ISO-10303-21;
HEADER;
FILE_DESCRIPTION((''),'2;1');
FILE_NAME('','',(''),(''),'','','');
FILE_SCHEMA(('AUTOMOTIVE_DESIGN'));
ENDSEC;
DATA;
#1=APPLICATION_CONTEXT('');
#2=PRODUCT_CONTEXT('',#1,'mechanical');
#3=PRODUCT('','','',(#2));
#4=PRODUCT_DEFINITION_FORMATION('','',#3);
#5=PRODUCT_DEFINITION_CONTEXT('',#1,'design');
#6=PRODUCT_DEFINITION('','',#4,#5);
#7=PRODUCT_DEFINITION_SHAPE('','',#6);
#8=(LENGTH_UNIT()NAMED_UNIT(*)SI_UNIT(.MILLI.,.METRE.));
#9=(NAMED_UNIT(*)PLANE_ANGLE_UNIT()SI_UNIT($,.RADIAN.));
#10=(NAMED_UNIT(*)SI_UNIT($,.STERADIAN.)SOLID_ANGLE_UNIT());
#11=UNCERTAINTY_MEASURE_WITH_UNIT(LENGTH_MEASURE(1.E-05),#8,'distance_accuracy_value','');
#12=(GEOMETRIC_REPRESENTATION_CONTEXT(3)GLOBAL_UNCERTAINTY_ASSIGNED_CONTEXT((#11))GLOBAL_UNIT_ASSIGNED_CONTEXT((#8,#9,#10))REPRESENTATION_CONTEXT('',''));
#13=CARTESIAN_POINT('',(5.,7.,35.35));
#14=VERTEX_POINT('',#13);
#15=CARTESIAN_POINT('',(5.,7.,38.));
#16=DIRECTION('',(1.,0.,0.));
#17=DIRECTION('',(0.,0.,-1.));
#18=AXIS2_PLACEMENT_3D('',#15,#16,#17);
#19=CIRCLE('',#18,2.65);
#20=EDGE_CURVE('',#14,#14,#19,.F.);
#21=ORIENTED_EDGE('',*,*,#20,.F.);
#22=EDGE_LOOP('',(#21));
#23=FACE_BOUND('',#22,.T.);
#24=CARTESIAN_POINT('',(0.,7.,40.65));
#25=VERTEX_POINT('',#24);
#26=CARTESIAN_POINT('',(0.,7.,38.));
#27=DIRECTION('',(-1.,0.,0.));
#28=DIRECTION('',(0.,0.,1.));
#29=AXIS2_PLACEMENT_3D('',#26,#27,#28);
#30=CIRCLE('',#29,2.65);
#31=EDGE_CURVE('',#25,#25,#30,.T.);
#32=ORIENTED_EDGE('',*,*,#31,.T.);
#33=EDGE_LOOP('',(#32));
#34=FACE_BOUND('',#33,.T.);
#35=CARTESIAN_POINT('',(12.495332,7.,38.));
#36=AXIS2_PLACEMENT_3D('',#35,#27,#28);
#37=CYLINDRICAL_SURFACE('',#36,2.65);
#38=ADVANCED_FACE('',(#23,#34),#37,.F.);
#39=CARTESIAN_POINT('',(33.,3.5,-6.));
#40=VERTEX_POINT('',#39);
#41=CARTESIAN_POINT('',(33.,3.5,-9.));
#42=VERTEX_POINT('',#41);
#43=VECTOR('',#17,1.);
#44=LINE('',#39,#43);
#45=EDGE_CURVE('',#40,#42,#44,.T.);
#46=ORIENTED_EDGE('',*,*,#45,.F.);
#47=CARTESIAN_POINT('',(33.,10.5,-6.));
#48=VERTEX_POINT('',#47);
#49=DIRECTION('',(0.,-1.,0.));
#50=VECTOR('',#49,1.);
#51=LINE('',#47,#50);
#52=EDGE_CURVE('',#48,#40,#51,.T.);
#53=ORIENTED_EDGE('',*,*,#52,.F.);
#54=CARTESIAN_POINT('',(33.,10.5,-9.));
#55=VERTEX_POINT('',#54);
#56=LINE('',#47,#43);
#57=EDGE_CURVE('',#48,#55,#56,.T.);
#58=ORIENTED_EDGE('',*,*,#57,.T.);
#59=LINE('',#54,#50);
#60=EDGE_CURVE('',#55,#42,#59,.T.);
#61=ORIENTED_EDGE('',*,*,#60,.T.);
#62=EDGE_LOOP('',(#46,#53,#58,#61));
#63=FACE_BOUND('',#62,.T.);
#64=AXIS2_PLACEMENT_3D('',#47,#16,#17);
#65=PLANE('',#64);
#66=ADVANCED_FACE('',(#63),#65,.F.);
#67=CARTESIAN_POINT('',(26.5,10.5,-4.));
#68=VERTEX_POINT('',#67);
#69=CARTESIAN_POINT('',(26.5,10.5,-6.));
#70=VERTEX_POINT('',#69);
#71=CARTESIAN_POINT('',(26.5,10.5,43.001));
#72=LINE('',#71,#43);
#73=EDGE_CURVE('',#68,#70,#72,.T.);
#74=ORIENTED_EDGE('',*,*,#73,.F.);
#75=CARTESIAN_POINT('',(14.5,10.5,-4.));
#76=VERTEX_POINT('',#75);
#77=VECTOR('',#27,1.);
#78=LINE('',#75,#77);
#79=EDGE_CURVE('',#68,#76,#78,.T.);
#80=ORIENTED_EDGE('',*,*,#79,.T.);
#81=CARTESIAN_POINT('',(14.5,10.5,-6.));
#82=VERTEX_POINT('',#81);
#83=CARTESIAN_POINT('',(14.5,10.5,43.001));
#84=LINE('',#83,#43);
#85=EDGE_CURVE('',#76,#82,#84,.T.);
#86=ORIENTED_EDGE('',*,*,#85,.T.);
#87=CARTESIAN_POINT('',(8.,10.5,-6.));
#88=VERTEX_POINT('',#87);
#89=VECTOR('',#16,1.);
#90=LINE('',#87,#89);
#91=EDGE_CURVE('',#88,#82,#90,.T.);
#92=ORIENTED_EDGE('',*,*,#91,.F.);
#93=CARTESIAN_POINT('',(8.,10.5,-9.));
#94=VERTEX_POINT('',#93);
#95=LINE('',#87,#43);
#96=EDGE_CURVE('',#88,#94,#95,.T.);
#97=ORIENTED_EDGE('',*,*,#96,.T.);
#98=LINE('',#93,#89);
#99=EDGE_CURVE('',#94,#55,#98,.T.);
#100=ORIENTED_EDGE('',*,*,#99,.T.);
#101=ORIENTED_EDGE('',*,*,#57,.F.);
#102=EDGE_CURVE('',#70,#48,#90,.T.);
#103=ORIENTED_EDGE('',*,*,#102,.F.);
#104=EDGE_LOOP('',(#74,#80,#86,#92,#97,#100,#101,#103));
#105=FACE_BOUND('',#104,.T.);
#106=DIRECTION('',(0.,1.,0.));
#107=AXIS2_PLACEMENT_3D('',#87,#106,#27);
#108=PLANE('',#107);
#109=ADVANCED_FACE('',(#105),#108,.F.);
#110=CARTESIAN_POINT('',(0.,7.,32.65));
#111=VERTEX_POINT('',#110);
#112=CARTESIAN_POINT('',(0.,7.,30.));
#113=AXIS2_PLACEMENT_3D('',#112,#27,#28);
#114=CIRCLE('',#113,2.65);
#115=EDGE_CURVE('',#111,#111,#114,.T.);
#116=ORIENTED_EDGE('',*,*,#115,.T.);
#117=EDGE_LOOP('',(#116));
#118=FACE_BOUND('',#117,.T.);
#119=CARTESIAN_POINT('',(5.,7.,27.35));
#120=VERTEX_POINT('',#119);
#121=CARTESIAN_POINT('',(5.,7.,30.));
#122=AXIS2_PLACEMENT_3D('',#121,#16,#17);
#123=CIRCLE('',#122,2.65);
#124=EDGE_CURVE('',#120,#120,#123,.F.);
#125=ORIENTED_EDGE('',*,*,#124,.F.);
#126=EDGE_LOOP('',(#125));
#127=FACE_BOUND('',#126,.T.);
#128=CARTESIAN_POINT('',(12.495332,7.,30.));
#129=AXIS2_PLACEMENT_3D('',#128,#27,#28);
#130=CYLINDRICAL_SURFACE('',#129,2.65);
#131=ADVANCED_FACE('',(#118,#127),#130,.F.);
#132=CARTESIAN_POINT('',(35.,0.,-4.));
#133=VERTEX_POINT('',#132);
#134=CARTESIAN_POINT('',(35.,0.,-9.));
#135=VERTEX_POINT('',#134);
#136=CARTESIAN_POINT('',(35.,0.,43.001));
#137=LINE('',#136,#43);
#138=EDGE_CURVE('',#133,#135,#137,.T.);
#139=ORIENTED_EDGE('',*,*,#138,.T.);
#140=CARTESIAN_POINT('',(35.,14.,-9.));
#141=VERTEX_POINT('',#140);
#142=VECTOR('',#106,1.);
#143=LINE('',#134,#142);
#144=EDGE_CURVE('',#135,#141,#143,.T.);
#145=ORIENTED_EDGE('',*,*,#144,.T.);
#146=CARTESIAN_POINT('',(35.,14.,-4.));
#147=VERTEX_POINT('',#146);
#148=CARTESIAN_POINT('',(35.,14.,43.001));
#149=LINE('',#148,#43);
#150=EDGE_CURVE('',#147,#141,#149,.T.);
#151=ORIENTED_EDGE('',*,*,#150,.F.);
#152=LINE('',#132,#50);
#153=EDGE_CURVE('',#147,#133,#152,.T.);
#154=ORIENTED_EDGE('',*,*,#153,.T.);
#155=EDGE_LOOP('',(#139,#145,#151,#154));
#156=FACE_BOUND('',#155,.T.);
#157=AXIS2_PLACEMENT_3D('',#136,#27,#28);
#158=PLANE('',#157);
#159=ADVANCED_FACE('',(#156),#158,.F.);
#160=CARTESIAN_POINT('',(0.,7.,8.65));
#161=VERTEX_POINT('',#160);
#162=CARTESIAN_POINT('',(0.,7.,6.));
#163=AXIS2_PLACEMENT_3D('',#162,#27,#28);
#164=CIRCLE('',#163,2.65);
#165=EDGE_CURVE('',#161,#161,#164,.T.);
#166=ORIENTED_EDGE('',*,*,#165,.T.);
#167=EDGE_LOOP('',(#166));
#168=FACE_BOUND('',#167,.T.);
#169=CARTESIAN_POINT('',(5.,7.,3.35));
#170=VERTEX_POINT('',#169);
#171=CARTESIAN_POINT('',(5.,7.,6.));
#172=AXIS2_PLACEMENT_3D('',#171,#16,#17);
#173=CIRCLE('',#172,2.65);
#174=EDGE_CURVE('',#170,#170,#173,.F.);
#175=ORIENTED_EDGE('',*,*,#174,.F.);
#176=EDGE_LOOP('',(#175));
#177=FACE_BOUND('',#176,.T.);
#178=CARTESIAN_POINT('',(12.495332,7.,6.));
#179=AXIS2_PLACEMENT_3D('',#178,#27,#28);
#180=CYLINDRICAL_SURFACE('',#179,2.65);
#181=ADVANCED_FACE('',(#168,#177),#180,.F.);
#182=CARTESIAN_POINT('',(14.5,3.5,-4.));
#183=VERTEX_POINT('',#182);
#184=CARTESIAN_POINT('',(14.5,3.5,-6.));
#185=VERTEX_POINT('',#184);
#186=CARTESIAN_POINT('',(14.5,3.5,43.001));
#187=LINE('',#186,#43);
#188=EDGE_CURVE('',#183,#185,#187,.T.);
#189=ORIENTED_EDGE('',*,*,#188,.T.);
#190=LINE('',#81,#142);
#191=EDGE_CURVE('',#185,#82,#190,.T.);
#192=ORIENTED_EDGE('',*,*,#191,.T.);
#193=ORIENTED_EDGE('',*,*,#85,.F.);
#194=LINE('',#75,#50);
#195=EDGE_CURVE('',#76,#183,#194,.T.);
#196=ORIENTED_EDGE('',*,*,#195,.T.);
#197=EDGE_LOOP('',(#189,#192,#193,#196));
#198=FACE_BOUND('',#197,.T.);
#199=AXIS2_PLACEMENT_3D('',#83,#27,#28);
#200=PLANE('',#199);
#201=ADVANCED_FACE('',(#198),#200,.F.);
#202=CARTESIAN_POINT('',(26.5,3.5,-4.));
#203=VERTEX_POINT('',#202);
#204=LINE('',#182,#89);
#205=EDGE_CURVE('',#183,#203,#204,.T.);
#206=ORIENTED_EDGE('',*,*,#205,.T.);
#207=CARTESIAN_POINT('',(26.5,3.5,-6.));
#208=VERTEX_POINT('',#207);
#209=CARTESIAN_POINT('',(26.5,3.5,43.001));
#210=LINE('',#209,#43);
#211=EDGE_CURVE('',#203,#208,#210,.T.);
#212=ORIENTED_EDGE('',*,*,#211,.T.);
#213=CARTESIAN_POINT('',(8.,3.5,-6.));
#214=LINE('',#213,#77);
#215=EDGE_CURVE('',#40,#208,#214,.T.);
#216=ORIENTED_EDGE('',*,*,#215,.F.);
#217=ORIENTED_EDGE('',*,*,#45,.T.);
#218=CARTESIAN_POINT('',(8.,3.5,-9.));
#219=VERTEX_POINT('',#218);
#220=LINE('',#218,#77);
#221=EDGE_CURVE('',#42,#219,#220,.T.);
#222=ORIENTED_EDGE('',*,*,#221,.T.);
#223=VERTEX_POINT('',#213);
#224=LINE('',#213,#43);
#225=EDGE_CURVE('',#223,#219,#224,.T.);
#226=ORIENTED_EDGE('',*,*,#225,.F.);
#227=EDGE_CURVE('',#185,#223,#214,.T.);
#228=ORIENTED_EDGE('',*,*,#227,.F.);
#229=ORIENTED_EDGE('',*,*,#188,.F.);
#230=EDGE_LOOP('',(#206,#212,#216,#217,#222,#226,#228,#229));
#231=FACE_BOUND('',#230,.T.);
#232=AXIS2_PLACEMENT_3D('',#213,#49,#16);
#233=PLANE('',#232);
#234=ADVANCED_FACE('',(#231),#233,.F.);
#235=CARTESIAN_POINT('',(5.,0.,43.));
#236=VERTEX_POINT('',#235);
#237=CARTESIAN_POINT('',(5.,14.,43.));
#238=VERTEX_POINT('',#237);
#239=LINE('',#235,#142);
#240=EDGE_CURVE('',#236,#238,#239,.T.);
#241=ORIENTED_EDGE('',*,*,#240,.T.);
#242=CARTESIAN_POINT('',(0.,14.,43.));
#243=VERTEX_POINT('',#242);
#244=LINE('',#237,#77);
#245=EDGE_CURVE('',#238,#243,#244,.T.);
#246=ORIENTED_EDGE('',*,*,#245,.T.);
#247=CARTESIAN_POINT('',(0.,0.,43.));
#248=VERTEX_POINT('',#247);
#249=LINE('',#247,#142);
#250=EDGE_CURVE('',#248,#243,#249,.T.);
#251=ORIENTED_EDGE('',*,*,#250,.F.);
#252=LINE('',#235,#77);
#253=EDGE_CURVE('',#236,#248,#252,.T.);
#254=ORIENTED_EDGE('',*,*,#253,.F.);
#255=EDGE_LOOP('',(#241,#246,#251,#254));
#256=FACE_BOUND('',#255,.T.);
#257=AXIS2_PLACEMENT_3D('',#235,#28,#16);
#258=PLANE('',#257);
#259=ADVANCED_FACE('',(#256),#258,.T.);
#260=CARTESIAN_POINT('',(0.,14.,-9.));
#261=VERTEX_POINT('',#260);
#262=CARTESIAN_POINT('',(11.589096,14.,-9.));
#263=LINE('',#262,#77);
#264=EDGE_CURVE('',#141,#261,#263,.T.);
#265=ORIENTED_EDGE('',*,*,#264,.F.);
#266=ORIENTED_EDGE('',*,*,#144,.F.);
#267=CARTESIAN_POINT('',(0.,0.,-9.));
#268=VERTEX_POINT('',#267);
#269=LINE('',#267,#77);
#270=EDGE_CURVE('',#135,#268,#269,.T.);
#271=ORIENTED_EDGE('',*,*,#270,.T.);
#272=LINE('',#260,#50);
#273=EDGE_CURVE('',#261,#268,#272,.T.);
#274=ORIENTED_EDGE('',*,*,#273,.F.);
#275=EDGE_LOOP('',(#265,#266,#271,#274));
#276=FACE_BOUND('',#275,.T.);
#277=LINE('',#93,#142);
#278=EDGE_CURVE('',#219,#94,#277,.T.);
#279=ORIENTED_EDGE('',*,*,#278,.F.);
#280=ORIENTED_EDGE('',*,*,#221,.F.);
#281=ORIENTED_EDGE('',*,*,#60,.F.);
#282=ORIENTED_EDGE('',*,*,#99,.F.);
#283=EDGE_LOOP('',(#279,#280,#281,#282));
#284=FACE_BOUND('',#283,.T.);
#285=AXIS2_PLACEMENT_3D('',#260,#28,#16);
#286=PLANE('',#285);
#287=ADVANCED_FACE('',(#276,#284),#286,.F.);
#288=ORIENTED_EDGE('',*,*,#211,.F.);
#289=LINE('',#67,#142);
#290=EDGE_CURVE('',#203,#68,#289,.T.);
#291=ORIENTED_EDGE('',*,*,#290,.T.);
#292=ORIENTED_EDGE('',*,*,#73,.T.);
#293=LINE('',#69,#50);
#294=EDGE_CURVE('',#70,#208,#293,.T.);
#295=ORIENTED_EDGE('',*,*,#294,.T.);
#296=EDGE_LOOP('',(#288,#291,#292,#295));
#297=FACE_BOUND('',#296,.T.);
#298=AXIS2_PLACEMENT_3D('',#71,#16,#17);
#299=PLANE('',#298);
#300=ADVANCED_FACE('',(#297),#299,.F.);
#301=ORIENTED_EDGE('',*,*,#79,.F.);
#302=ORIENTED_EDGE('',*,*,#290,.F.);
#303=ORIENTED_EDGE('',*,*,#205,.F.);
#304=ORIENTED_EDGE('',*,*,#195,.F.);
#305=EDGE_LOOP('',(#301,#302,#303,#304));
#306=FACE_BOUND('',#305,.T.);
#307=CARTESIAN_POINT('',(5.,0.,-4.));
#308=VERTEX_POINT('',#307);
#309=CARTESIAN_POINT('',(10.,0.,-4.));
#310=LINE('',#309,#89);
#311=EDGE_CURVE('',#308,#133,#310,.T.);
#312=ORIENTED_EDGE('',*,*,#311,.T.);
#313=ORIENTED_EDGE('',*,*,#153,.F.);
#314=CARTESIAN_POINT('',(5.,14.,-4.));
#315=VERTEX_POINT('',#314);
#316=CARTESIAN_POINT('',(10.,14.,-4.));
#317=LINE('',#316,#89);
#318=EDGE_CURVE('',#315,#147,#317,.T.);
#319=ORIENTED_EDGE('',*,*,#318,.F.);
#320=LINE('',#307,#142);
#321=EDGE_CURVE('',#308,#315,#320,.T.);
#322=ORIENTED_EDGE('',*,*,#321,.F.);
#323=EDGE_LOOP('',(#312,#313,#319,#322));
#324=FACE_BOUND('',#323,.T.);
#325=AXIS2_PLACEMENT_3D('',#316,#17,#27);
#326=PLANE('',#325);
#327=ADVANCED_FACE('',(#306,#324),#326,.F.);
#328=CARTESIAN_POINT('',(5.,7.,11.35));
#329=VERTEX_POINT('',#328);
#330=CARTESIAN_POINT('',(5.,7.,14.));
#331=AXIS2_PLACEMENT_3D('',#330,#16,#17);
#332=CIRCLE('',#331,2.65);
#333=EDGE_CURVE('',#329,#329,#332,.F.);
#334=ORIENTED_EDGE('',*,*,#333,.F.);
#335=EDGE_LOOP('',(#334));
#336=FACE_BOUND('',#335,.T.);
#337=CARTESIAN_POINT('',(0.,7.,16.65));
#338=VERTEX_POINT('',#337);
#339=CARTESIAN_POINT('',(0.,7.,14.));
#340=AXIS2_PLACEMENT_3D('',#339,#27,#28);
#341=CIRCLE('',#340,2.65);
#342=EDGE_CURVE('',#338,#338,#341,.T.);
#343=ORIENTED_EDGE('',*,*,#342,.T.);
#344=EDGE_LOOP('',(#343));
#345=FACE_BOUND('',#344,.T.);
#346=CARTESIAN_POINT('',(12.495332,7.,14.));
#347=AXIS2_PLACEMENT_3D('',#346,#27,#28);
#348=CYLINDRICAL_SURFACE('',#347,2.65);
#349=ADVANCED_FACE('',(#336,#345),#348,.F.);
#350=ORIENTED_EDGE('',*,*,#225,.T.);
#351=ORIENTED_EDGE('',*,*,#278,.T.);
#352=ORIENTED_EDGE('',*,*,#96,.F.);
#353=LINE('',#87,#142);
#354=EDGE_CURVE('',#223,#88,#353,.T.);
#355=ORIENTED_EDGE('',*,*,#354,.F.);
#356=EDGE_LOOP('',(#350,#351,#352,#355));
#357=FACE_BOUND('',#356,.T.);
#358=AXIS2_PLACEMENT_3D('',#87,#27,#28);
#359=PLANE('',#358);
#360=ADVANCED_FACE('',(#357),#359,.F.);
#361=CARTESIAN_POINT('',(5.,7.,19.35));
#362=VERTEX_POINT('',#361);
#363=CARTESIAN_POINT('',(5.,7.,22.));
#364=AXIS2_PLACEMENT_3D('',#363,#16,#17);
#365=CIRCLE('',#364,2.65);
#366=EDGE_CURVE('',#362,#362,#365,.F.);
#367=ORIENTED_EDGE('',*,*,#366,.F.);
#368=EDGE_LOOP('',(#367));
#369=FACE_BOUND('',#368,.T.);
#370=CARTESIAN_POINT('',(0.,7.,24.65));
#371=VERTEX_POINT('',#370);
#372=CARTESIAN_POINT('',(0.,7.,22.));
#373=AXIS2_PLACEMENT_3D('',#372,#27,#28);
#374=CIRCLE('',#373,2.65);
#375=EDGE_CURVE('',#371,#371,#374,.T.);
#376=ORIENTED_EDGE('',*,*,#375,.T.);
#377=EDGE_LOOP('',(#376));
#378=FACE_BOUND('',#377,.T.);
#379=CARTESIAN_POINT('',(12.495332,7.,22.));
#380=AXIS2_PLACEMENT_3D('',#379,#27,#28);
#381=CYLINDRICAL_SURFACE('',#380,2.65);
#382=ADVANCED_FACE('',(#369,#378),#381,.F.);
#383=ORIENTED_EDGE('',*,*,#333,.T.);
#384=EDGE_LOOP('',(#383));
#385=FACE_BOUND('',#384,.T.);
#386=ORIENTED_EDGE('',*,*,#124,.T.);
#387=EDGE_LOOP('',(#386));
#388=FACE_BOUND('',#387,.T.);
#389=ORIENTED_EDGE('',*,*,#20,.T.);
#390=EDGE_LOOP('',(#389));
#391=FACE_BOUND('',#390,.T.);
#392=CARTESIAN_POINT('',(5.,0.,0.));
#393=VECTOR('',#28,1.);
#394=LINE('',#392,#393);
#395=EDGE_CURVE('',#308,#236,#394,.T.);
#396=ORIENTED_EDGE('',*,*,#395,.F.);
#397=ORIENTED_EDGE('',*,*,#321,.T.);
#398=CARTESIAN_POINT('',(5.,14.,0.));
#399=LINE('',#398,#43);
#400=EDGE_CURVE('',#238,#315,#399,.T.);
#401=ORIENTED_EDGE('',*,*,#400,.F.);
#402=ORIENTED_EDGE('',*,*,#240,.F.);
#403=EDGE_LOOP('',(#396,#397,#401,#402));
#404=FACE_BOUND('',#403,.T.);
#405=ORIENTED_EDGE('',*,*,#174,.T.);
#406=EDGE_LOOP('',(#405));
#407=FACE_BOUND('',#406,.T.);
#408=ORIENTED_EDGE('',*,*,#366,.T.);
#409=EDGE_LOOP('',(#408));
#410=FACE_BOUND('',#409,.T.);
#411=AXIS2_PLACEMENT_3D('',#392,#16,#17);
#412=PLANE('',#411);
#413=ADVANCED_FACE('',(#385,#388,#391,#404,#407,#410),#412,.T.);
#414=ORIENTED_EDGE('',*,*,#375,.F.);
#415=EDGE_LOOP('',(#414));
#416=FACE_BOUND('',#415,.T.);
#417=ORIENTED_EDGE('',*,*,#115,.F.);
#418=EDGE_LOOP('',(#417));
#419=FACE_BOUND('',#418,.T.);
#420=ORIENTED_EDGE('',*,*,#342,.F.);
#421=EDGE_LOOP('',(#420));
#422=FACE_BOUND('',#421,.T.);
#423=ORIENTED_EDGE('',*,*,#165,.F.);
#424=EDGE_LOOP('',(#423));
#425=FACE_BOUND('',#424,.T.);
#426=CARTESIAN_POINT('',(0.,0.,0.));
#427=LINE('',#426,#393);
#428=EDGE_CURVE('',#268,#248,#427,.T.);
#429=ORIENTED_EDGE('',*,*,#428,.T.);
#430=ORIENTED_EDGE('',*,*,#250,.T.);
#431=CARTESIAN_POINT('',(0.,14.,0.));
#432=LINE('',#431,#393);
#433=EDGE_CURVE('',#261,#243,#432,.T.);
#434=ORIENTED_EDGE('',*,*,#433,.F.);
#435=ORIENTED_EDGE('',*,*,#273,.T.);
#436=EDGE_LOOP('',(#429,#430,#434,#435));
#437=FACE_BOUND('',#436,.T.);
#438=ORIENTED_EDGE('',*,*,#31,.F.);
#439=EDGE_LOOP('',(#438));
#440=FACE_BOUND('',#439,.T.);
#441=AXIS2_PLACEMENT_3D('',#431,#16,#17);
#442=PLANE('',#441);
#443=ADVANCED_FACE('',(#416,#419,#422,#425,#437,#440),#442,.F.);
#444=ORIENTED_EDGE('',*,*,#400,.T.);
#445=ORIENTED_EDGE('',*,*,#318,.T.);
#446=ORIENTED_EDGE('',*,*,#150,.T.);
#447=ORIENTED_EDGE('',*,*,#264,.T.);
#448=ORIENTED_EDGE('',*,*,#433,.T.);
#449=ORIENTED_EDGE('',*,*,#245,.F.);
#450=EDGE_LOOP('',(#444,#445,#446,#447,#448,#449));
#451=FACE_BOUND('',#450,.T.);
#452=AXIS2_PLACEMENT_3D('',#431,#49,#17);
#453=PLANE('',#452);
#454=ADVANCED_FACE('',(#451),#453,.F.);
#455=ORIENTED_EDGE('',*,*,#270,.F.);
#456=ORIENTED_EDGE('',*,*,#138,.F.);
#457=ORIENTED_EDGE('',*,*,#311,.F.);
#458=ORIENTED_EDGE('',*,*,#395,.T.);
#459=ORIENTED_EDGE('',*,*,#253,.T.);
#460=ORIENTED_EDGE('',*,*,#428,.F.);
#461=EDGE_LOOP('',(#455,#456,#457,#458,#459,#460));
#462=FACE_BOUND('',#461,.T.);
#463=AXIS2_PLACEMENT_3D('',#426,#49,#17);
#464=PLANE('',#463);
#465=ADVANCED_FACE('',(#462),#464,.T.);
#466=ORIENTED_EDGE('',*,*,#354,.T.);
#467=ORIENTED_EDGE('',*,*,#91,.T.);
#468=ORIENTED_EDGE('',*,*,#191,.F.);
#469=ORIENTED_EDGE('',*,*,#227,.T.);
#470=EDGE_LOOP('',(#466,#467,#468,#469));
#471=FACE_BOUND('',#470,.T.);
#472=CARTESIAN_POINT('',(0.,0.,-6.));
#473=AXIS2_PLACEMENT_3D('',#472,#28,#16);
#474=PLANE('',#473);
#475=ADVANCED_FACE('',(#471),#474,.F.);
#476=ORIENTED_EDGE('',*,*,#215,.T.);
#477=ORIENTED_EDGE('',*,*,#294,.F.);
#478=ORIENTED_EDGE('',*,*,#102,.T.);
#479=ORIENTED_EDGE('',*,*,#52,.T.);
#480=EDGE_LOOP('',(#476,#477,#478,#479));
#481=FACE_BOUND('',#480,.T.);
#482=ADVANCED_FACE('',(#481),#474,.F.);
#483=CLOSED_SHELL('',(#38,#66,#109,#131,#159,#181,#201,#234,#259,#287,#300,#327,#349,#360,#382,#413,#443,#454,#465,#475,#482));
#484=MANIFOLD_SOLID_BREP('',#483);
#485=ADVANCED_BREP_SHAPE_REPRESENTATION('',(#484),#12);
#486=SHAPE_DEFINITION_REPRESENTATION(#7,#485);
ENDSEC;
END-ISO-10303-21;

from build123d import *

# Parameters (mm, degrees)
BOSS_EXTRUDE1_DEPTH  = 14
SKETCH20_W           = 43
SKETCH20_H           = 14
BOSS_EXTRUDE10_DEPTH = 5
SKETCH21_R           = 2.65
CUT_EXTRUDE13_DEPTH  = 5
SKETCH22_W           = 5
SKETCH22_H           = 4
CUT_EXTRUDE14_DEPTH  = 61.373835392
SKETCH23_R           = 2.65
BOSS_EXTRUDE11_DEPTH = 5
SKETCH24_W           = 25
SKETCH24_H           = 7
CUT_EXTRUDE15_DEPTH  = 3
CUT_EXTRUDE16_REACH  = 66.784
SKETCH25_W           = 12
SKETCH25_H           = 7
CUT_EXTRUDE17_REACH  = 69.082
SKETCH26_W           = 5
SKETCH26_H           = 14


with BuildPart() as part:
    # Sketch1 → Boss-Extrude1 (new body)
    with BuildSketch(Plane(origin=(0, 0, 0), x_dir=(1, 0, 0), z_dir=(0, 1, 0))):
        Polygon((6.589095597, 0), (10, 0), (10, 4), (40, 4), (40, 9), (11.589095597, 9), (0, 9), (0, 0), align=None)
    extrude(amount=BOSS_EXTRUDE1_DEPTH)

    # Sketch20 → Boss-Extrude10 (add)
    with BuildSketch(Plane.ZY):
        with Locations((21.5, 7)):
            Rectangle(SKETCH20_W, SKETCH20_H)
    extrude(amount=-BOSS_EXTRUDE10_DEPTH)

    # Sketch21 → Cut-Extrude13 (cut)
    with BuildSketch(Plane.ZY):
        with Locations((-2, 7)):
            Circle(SKETCH21_R)
        with Locations((6, 7)):
            Circle(SKETCH21_R)
        with Locations((14, 7)):
            Circle(SKETCH21_R)
        with Locations((22, 7)):
            Circle(SKETCH21_R)
        with Locations((30, 7)):
            Circle(SKETCH21_R)
        with Locations((38, 7)):
            Circle(SKETCH21_R)
    extrude(amount=-CUT_EXTRUDE13_DEPTH, mode=Mode.SUBTRACT)

    # Sketch22 → Cut-Extrude14 (cut, through all)
    with BuildSketch(Plane(origin=(0, 14, 0), x_dir=(1, 0, 0), z_dir=(0, 1, 0))):
        with Locations((7.5, 2)):
            Rectangle(SKETCH22_W, SKETCH22_H)
    extrude(amount=-CUT_EXTRUDE14_DEPTH, mode=Mode.SUBTRACT)

    # Sketch23 → Boss-Extrude11 (add)
    with BuildSketch(Plane.ZY):
        with Locations((-2, 7)):
            Circle(SKETCH23_R)
    extrude(amount=-BOSS_EXTRUDE11_DEPTH)

    # Sketch24 → Cut-Extrude15 (cut)
    with BuildSketch(Plane(origin=(0, 0, -9), x_dir=(-1, 0, 0), z_dir=(0, 0, -1))):
        with Locations((-20.5, 7)):
            Rectangle(SKETCH24_W, SKETCH24_H)
    extrude(amount=-CUT_EXTRUDE15_DEPTH, mode=Mode.SUBTRACT)

    # Sketch25 → Cut-Extrude16 (cut, up to next)
    with BuildSketch(Plane(origin=(0, 0, -6), x_dir=(-1, 0, 0), z_dir=(0, 0, -1)), mode=Mode.PRIVATE) as cut_extrude16_sk1:
        with Locations((-20.5, 7)):
            Rectangle(SKETCH25_W, SKETCH25_H)
    cut_extrude16_tool1 = extrude(cut_extrude16_sk1.sketch, amount=-CUT_EXTRUDE16_REACH, mode=Mode.PRIVATE) & part.part
    add(cut_extrude16_tool1.solids().sort_by_distance((20.5, 7, -6))[0], mode=Mode.SUBTRACT)

    # Sketch26 → Cut-Extrude17 (cut, up to next)
    with BuildSketch(Plane(origin=(0, 0, -9), x_dir=(-1, 0, 0), z_dir=(0, 0, -1)), mode=Mode.PRIVATE) as cut_extrude17_sk1:
        with Locations((-37.5, 7)):
            Rectangle(SKETCH26_W, SKETCH26_H)
    cut_extrude17_tool1 = extrude(cut_extrude17_sk1.sketch, amount=-CUT_EXTRUDE17_REACH, mode=Mode.PRIVATE) & part.part
    add(cut_extrude17_tool1.solids().sort_by_distance((37.5, 7, -9))[0], mode=Mode.SUBTRACT)


solid = part.part
